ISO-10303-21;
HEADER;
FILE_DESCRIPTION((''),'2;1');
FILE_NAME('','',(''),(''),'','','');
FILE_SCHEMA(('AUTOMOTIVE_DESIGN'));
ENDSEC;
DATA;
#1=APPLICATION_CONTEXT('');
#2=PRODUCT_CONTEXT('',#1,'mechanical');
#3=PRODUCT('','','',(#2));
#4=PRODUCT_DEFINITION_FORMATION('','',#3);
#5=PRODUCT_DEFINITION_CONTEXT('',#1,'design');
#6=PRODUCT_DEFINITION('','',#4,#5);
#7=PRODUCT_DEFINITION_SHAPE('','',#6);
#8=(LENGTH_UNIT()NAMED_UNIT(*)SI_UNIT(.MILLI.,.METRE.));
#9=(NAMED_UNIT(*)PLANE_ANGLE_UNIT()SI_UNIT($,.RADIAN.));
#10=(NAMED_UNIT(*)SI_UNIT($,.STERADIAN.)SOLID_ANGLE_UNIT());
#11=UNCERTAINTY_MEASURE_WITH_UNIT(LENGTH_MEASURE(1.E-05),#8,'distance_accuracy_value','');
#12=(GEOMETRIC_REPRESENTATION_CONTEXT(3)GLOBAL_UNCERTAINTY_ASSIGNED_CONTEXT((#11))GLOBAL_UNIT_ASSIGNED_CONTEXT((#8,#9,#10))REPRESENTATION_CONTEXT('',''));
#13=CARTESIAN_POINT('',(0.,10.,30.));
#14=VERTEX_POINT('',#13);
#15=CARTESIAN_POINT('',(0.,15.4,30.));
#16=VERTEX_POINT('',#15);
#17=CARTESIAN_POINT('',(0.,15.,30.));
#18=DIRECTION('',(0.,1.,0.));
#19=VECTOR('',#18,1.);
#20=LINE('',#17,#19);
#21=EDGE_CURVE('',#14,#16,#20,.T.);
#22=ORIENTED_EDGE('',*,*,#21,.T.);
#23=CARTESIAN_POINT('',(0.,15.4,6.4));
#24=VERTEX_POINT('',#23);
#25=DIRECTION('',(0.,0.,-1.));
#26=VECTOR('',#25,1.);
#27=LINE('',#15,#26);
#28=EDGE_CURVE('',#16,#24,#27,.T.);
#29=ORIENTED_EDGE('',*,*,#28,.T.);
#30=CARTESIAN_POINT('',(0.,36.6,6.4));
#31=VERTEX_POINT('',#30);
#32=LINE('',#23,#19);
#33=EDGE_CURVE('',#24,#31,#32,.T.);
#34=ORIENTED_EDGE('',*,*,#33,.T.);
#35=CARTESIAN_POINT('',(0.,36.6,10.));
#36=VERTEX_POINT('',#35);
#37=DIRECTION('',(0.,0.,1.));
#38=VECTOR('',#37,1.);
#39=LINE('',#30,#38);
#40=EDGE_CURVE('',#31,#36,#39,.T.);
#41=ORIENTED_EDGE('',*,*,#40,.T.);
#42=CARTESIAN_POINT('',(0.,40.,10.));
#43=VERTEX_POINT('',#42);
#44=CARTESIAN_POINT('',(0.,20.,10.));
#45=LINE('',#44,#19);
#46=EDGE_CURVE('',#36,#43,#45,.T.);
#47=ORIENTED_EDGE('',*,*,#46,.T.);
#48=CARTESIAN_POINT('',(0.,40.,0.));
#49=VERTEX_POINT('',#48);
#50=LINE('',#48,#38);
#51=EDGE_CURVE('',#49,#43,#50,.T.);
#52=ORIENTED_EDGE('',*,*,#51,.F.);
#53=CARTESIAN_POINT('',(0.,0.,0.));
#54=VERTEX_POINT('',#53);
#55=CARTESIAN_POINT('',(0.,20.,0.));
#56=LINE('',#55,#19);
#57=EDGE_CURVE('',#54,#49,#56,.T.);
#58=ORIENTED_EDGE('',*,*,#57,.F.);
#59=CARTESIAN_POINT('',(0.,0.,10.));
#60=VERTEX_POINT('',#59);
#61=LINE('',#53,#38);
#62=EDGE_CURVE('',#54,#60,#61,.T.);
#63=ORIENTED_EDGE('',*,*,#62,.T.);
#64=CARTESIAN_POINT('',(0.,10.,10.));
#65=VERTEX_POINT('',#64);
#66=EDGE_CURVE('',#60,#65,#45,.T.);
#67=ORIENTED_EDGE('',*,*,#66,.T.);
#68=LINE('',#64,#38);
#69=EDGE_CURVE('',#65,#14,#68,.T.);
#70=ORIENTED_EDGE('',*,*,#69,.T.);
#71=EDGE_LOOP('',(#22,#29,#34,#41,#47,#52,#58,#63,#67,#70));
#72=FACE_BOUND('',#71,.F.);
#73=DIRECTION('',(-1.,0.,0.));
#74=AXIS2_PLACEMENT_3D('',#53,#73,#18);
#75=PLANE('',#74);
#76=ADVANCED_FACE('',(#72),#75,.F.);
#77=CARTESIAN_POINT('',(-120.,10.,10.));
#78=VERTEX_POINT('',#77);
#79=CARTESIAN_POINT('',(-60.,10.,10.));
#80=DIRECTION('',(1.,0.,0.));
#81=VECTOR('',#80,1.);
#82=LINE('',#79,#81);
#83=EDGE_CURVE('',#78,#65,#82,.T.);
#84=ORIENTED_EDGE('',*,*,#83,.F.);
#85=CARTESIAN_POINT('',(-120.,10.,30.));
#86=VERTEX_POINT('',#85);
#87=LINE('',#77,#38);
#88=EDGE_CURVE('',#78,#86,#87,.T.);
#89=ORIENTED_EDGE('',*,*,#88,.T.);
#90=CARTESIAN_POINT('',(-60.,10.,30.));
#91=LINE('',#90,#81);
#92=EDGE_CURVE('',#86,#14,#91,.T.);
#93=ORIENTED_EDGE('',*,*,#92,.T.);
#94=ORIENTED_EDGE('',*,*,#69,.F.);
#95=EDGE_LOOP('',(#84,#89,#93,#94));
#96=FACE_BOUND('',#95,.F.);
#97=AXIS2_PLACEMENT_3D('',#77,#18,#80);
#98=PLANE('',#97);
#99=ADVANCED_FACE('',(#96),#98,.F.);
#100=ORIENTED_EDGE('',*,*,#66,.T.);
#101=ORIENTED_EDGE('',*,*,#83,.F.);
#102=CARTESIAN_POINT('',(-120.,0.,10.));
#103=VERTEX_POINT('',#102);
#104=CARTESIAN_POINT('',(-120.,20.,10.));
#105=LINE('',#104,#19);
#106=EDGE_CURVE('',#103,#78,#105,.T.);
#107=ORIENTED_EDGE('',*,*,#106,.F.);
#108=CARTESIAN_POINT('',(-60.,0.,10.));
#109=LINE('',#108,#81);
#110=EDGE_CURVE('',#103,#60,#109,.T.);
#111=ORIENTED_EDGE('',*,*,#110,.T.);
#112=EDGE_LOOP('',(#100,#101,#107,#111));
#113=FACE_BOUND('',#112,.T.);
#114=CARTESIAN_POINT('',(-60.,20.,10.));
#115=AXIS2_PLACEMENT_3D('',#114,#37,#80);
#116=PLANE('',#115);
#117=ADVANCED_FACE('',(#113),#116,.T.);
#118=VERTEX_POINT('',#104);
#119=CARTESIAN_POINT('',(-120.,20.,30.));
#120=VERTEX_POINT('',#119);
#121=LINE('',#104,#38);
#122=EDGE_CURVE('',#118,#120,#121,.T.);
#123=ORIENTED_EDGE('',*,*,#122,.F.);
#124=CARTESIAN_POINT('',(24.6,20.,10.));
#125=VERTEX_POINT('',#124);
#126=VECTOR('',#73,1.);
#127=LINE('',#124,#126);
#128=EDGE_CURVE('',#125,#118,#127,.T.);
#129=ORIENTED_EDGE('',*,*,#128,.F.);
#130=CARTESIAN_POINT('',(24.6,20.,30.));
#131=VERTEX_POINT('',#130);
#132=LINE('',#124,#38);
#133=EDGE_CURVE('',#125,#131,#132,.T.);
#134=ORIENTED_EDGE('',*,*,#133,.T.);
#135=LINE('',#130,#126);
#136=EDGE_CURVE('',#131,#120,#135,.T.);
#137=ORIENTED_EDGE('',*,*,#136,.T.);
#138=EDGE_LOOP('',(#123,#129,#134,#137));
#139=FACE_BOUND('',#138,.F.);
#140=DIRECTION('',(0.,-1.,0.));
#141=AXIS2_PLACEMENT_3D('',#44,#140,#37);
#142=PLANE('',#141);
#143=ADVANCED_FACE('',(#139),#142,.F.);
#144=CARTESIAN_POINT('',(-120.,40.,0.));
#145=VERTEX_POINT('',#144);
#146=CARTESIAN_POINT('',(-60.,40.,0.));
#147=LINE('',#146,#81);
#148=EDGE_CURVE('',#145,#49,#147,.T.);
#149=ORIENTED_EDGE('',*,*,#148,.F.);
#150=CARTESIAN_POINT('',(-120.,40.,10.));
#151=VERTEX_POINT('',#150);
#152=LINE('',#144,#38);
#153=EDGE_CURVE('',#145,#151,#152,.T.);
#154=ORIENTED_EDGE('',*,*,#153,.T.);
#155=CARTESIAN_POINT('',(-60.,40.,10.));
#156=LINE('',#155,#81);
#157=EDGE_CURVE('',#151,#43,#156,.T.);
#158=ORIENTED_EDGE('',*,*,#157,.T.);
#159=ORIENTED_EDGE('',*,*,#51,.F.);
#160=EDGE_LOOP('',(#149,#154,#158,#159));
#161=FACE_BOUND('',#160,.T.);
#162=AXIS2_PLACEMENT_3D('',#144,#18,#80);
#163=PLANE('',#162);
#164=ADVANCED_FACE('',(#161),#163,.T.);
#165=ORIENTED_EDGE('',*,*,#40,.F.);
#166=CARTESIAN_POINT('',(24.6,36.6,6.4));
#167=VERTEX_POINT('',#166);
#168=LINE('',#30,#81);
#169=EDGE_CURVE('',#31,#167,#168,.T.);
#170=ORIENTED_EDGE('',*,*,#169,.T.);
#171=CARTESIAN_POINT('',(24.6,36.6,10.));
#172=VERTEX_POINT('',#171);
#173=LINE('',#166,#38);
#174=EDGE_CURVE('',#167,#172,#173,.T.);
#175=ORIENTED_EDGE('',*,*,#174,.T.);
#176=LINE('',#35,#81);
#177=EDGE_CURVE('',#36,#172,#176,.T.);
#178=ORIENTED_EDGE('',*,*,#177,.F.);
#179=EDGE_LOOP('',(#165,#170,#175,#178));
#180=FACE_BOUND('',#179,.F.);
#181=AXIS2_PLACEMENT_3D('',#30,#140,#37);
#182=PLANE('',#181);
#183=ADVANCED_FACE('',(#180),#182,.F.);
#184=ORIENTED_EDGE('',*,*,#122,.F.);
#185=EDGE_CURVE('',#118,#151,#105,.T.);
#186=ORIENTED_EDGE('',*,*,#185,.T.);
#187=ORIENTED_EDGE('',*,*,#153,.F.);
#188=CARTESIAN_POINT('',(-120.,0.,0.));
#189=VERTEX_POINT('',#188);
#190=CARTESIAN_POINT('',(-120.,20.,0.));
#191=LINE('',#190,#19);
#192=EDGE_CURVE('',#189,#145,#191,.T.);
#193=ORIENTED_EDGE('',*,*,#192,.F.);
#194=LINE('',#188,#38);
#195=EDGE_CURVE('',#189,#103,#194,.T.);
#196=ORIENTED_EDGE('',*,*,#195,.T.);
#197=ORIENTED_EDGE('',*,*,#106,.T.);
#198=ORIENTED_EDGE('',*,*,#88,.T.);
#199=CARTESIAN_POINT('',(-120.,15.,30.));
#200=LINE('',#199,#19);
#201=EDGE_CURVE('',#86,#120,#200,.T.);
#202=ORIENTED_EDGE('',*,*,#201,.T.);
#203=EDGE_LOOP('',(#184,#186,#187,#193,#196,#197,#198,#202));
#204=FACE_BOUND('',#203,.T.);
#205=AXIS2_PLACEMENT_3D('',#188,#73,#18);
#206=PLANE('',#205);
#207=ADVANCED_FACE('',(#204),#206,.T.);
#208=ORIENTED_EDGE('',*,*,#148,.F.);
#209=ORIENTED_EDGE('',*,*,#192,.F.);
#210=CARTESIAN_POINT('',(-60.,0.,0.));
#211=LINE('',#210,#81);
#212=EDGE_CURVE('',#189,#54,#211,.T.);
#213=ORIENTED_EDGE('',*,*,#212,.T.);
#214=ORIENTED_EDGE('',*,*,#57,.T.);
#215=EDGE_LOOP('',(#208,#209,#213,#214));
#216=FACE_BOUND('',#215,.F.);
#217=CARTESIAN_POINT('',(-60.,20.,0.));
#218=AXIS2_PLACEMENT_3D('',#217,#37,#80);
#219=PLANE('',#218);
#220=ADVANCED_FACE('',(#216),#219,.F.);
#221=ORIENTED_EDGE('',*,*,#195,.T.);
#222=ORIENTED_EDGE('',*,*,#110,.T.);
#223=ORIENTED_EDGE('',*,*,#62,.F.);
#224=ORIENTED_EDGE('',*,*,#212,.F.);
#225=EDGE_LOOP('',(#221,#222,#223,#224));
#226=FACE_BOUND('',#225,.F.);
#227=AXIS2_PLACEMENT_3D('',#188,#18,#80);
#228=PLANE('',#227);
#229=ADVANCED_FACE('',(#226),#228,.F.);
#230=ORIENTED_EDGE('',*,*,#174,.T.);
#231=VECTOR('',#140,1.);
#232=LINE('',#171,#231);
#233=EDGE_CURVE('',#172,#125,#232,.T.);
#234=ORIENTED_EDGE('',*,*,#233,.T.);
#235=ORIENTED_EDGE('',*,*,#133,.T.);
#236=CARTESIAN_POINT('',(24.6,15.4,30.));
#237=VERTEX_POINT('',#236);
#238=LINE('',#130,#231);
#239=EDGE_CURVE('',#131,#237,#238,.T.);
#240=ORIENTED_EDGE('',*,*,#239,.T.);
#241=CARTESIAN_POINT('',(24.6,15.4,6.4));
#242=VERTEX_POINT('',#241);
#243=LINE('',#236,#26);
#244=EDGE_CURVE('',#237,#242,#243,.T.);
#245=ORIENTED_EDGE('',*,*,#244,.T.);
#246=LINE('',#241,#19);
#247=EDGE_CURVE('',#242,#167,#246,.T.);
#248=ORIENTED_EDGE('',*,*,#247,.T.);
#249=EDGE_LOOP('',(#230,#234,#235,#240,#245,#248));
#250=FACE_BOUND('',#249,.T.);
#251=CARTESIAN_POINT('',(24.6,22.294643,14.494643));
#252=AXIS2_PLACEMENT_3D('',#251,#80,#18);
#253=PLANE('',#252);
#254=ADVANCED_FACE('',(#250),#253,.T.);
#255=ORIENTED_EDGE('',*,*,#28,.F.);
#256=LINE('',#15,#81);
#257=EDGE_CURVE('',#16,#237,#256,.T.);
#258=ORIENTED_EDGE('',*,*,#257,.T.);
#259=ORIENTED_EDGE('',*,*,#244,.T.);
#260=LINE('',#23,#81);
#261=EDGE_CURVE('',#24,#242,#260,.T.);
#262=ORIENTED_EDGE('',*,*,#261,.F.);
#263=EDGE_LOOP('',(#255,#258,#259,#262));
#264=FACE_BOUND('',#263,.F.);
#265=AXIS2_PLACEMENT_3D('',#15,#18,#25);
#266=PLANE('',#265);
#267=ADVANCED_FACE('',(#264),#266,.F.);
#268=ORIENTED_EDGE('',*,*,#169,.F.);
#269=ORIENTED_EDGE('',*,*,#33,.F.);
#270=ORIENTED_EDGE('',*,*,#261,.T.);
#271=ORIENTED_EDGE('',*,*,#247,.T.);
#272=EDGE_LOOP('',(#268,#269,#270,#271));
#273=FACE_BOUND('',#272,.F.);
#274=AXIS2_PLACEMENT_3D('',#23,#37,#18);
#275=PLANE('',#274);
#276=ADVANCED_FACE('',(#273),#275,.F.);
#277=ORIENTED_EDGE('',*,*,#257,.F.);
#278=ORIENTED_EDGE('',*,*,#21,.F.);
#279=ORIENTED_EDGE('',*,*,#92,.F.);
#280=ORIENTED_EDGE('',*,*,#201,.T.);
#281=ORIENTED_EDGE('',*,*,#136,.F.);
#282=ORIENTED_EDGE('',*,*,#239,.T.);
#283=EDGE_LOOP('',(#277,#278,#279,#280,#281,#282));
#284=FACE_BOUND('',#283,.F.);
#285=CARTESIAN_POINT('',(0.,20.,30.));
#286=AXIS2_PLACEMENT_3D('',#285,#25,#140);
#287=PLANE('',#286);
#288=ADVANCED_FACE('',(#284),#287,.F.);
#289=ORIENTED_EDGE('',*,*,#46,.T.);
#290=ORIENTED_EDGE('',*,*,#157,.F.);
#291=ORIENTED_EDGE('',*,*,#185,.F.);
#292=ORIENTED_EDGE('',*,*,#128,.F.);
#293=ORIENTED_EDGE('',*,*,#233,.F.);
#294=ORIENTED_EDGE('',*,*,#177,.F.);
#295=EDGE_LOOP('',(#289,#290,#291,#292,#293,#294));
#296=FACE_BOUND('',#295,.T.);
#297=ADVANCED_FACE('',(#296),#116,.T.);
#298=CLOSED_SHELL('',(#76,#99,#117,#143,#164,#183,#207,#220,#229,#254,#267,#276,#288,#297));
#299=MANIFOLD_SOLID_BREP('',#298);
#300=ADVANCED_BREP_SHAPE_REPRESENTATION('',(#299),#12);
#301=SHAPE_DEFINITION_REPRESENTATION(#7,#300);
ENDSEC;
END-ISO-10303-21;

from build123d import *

# Parameters (mm, degrees)
SKETCH_W     = 120
SKETCH_H     = 40
PAD_DEPTH    = 10
SKETCH001_W  = 120
SKETCH001_H  = 10
PAD001_DEPTH = 20
PAD002_DEPTH = 24.6


with BuildPart() as part:
    # Sketch → Pad (new body)
    with BuildSketch(Plane.XY):
        with Locations((-60, 20)):
            Rectangle(SKETCH_W, SKETCH_H)
    extrude(amount=PAD_DEPTH)

    # Sketch001 (on Face6 of Pad) → Pad001 (join)
    with BuildSketch(Plane.XY.offset(10)):
        with Locations((-60, 15)):
            Rectangle(SKETCH001_W, SKETCH001_H)
    extrude(amount=PAD001_DEPTH)

    # Sketch002 (on Face8 of Pad001) → Pad002 (join)
    with BuildSketch(Plane.YZ):
        Polygon((15.4, 30), (15.4, 6.4), (36.6, 6.4), (36.6, 10), (20, 10), (20, 30), align=None)
    extrude(amount=PAD002_DEPTH)


solid = part.part
